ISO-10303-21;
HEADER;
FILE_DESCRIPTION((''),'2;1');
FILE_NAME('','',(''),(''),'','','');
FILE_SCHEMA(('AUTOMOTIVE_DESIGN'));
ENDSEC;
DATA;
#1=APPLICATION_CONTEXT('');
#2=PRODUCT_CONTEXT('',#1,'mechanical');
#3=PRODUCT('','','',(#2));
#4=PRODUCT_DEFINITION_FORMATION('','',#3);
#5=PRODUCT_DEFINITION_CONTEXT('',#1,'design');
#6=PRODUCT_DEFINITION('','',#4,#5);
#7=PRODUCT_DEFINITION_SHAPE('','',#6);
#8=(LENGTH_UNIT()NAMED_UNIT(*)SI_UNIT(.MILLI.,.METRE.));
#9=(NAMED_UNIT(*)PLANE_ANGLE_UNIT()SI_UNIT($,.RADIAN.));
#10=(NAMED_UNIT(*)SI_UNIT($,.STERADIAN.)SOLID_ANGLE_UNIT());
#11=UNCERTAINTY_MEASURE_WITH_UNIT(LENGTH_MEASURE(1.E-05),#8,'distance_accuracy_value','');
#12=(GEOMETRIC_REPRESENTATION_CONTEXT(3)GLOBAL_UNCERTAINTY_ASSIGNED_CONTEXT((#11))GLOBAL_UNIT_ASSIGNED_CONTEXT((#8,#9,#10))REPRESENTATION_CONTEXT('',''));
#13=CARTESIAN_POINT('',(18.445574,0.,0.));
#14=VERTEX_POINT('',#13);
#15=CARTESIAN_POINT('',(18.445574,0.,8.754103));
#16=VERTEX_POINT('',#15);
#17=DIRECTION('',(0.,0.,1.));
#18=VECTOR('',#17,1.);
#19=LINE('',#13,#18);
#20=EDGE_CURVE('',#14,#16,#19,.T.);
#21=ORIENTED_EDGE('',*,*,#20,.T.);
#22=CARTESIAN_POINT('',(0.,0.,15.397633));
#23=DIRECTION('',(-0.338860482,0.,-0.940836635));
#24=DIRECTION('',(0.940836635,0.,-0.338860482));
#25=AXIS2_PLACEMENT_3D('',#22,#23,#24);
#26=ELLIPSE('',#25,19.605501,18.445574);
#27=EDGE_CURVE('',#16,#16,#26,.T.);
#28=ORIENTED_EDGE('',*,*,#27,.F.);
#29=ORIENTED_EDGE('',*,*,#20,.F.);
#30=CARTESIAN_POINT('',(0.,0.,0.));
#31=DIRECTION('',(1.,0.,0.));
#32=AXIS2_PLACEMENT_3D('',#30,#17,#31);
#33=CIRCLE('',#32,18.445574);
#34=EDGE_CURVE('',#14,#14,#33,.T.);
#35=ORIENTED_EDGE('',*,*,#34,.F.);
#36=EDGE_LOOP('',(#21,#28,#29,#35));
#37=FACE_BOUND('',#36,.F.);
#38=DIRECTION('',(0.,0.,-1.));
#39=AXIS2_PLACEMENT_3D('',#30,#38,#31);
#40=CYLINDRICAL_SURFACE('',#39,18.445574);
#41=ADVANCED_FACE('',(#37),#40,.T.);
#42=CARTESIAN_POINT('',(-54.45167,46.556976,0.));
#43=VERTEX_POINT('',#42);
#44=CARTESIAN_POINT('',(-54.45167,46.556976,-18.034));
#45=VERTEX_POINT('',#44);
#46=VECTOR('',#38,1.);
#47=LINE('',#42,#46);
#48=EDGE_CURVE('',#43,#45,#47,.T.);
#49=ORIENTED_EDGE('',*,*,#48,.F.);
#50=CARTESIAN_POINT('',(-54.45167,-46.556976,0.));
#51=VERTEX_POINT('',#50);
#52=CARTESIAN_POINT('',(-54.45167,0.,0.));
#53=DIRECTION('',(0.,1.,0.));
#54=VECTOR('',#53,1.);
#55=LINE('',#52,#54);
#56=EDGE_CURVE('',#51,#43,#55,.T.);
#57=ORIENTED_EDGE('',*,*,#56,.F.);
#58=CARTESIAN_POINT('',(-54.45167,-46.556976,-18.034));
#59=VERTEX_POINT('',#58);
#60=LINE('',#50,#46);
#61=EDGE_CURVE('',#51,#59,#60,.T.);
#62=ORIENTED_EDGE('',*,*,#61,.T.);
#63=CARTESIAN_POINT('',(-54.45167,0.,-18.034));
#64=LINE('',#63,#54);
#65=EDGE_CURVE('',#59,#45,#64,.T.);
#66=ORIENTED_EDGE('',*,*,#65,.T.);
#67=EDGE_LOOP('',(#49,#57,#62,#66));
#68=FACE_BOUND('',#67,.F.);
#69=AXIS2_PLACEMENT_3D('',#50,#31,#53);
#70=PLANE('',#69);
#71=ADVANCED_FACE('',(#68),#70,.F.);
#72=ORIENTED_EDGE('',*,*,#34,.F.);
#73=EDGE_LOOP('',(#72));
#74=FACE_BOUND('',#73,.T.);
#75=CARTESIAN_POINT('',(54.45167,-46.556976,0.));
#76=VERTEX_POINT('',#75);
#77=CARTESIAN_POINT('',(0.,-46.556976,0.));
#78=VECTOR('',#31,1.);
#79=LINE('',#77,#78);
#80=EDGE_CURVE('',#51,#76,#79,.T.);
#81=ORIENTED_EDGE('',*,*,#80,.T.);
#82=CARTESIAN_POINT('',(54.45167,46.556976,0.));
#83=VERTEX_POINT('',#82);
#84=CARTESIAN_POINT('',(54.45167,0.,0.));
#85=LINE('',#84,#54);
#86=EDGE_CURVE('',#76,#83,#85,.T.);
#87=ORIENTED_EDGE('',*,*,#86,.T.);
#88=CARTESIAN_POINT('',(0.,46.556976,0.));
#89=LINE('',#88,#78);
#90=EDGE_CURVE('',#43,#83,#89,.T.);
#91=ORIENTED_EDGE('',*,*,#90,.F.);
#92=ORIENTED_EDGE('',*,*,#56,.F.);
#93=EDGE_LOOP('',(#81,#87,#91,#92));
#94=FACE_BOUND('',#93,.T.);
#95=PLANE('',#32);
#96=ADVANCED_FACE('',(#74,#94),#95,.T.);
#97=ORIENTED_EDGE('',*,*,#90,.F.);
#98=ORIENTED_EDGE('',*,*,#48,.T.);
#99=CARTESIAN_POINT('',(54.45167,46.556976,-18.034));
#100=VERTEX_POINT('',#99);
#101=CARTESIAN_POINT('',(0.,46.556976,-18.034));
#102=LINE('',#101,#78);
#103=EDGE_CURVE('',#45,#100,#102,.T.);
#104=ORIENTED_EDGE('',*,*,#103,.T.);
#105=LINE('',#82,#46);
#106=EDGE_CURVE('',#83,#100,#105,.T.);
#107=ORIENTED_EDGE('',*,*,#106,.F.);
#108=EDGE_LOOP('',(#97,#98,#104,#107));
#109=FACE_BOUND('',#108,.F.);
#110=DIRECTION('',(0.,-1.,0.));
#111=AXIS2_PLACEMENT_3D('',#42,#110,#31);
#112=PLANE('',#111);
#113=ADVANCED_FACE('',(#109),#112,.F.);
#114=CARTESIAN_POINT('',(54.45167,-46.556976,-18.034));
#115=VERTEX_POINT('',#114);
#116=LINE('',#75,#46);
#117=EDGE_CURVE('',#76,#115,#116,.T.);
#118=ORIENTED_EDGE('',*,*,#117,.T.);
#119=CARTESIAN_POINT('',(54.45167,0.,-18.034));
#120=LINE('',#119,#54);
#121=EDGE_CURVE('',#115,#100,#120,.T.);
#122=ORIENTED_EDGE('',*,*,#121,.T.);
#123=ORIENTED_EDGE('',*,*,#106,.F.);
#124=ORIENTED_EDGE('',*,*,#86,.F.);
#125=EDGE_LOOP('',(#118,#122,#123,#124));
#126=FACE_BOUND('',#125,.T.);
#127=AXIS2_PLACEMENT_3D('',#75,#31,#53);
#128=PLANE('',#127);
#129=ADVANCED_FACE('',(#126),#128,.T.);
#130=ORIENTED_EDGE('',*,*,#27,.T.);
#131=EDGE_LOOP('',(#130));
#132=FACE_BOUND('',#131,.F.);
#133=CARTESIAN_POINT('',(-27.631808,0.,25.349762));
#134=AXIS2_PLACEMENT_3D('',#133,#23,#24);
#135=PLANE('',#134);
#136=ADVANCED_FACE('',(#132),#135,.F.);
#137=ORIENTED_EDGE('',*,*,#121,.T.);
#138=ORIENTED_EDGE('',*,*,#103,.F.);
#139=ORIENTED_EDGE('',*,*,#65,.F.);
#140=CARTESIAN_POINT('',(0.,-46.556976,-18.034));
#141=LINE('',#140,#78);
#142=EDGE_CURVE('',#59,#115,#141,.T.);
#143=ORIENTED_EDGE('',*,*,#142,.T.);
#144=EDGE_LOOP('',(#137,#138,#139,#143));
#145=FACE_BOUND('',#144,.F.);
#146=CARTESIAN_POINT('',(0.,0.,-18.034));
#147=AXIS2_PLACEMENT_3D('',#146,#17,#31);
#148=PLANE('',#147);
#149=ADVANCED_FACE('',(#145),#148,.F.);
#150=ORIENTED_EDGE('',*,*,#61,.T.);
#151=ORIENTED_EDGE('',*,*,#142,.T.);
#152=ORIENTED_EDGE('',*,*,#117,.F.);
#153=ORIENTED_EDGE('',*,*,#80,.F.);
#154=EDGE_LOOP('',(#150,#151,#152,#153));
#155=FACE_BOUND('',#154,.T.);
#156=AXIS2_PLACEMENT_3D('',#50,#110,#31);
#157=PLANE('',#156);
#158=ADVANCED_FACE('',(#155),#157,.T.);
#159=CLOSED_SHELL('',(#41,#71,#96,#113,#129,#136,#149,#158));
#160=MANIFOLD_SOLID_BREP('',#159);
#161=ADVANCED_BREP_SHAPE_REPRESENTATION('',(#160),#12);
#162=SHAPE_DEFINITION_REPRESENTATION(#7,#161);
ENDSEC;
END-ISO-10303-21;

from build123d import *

# Parameters (mm, degrees)
F0_W     = 108.90334
F0_H     = 93.113952
F1_DEPTH = 18.034
F2_R     = 18.445574
F3_DEPTH = 54.61
F5_DEPTH = 25.4


with BuildPart() as f1:
    # F0 (on Top) → F1 (new body)
    with BuildSketch(Plane.XY):
        Rectangle(F0_W, F0_H)
    extrude(amount=-F1_DEPTH)

    # F2 (on Top) → F3 (join)
    with BuildSketch(Plane.XY):
        Circle(F2_R)
    extrude(amount=F3_DEPTH)

    # F4 (on Front) → F5 (cut, symmetric)
    with BuildSketch(Plane.XZ):
        Polygon((-27.631808, 92.519648), (-27.631808, 25.349762), (42.751096, 0), (42.751096, 25.349762), (42.751096, 92.519648), align=None)
    extrude(amount=F5_DEPTH, both=True, mode=Mode.SUBTRACT)


solid = f1.part
